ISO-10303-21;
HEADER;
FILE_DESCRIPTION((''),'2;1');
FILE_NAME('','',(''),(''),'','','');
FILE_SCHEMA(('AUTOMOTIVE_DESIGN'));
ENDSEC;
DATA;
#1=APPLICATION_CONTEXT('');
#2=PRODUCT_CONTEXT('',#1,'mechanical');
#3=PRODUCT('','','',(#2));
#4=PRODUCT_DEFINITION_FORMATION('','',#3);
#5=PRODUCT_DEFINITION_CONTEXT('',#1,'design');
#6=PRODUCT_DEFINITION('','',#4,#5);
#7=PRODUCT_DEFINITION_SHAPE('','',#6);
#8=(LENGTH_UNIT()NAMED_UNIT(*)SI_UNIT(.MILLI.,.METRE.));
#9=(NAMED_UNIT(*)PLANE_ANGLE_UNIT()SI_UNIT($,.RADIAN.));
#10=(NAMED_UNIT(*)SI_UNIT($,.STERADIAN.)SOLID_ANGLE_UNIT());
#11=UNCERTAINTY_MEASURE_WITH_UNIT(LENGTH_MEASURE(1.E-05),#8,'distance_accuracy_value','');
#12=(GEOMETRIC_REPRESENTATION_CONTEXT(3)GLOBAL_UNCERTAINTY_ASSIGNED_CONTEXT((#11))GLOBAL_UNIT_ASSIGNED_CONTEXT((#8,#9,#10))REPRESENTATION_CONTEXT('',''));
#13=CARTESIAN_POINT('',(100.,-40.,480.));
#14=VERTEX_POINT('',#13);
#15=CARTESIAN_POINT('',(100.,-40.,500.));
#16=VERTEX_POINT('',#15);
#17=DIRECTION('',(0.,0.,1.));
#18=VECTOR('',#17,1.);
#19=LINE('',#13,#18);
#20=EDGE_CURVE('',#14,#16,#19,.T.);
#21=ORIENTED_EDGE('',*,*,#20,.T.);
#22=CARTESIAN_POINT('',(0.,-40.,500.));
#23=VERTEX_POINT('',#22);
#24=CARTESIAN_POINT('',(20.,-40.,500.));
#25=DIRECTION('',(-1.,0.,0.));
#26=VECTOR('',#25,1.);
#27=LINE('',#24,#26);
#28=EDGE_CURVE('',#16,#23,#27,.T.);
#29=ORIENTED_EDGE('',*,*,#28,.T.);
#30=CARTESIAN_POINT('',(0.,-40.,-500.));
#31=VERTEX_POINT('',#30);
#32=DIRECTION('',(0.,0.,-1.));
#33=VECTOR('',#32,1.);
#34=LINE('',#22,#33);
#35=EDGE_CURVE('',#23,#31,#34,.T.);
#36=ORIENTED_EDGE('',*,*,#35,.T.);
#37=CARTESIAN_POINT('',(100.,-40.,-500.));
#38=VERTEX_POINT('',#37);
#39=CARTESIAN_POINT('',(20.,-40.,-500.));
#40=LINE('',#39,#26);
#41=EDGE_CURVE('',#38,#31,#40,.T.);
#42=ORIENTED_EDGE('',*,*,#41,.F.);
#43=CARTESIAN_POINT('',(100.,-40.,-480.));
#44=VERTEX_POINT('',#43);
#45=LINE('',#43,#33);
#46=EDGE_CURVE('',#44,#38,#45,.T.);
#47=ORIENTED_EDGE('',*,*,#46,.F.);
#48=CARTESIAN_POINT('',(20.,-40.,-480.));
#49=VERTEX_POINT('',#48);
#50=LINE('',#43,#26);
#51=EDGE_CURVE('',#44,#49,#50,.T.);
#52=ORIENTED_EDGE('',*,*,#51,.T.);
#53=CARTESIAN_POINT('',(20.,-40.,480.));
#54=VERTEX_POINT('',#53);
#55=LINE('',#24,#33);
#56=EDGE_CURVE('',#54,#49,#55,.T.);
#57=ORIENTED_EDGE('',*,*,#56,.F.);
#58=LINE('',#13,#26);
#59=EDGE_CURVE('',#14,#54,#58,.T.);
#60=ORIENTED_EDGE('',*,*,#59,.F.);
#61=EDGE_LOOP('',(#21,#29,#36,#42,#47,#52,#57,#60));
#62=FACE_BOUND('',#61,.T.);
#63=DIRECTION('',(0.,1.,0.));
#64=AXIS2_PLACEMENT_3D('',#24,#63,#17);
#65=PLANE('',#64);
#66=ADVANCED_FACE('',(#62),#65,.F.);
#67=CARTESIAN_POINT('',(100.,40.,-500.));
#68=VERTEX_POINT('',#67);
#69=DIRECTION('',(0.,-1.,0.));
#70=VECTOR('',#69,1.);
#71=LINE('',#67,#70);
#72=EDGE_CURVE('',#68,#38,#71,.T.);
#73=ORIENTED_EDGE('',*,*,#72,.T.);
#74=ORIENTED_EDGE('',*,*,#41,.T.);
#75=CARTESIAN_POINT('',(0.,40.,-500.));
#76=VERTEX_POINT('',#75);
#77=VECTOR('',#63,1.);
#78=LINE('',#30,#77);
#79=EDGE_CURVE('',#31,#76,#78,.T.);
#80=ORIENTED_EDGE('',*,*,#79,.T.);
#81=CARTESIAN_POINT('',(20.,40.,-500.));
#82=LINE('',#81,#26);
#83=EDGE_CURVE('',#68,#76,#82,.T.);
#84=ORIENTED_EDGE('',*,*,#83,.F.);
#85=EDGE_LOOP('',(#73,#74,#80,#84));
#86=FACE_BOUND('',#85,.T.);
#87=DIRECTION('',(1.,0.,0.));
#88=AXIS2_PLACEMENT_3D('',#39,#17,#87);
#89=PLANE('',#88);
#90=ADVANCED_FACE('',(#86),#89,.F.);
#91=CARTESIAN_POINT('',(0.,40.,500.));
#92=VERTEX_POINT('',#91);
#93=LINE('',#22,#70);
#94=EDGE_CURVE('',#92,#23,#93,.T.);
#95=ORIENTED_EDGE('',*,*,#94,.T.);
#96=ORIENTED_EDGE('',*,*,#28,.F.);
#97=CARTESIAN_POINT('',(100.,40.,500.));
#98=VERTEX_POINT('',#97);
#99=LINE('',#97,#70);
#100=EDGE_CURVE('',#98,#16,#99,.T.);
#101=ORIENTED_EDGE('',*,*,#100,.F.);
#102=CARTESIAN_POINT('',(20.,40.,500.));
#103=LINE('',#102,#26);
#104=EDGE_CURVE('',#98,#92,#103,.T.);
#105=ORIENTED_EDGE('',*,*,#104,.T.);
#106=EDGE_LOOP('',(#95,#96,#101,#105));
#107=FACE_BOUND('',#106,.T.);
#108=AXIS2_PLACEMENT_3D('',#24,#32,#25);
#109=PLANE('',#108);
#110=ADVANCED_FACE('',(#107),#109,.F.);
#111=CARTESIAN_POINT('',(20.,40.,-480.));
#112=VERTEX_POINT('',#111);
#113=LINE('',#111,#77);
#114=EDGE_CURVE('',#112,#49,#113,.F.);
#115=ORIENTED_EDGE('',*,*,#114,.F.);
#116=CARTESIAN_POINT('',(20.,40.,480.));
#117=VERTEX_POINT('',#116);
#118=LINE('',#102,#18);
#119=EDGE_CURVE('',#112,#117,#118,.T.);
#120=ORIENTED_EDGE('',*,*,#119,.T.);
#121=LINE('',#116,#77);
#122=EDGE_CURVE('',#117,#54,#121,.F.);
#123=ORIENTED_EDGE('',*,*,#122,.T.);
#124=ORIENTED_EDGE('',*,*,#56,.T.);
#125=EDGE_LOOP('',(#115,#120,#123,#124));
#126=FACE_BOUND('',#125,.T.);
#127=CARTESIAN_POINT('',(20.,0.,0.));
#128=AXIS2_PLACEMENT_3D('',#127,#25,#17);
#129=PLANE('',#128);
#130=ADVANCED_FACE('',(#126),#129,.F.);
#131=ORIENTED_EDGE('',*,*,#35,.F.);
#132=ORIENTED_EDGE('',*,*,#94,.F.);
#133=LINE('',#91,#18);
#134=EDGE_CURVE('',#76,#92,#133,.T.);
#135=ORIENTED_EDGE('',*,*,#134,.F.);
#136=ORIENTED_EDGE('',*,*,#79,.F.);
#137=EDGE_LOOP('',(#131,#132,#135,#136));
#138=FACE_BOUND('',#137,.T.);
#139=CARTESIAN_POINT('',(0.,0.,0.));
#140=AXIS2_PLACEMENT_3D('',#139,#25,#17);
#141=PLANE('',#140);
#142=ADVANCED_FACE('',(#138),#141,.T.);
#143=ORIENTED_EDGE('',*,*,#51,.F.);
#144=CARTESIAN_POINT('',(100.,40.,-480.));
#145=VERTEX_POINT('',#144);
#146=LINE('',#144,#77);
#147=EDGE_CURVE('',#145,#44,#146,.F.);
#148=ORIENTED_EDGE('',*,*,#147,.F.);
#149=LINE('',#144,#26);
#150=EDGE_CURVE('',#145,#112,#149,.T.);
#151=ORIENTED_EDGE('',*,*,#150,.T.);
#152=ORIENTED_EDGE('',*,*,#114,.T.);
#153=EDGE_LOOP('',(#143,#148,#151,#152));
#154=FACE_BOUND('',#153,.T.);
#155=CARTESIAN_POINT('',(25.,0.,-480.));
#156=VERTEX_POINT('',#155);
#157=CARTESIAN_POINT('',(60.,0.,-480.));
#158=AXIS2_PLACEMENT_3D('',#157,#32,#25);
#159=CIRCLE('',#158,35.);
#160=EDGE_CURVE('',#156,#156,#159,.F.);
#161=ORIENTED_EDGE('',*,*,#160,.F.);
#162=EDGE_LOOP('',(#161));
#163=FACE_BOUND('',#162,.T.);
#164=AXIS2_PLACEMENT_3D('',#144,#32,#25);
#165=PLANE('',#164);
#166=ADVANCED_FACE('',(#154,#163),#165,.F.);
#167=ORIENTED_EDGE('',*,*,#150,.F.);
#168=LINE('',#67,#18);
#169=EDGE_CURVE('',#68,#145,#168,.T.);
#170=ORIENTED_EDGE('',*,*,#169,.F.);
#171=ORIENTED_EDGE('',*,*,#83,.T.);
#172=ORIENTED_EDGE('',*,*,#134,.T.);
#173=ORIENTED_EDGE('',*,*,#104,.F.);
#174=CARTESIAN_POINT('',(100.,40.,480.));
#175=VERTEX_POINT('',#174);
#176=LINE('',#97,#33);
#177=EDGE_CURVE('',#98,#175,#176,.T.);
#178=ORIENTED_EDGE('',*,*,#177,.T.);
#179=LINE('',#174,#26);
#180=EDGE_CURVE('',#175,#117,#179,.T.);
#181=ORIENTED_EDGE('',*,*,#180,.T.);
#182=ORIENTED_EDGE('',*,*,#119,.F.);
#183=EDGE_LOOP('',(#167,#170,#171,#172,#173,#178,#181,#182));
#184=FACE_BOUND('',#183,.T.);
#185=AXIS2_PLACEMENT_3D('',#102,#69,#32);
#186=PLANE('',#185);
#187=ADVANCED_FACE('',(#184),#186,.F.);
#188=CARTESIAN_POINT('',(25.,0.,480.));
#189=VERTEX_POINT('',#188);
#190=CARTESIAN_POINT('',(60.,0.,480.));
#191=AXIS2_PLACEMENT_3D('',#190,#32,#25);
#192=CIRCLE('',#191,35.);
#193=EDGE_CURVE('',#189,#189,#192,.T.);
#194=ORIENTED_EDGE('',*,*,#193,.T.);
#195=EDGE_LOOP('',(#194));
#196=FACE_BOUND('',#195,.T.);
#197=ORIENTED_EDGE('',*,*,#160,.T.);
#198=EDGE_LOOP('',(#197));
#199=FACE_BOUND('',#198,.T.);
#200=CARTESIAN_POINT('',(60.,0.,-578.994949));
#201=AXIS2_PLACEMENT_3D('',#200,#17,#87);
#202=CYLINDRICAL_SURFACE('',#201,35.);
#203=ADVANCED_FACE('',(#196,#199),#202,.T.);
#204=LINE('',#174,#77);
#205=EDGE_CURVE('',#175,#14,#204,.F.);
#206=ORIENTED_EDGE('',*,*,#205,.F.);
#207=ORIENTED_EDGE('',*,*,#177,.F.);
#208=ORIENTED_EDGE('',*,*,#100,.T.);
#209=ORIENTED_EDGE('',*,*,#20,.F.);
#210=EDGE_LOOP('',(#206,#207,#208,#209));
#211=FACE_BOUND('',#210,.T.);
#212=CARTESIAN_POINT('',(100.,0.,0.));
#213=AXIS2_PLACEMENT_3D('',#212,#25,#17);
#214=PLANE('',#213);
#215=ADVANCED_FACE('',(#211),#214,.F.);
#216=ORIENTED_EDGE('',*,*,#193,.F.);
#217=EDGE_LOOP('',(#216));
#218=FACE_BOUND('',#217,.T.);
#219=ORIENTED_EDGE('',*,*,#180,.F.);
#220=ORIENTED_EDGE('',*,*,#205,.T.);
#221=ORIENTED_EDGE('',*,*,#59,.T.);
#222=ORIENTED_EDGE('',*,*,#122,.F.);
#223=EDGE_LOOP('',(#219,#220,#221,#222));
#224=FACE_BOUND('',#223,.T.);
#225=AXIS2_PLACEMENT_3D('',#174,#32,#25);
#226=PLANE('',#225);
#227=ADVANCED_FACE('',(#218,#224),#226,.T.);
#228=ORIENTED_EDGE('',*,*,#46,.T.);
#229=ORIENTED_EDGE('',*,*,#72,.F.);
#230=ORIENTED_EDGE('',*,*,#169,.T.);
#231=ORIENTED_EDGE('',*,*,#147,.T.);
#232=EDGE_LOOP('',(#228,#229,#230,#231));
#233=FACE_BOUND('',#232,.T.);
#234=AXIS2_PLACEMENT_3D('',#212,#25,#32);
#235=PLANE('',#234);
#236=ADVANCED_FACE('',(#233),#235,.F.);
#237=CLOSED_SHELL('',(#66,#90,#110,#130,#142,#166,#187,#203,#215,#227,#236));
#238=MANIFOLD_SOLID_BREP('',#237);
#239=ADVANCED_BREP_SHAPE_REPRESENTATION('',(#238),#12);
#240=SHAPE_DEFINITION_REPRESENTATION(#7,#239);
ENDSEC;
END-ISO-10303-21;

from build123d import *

# Parameters (mm, degrees)
SKETCH_1_W        = 1000
SKETCH_1_H        = 80
EXTRUDE_1_DEPTH   = 20
SKETCH_2_W        = 20
SKETCH_2_H        = 80
EXTRUDE_1_2_DEPTH = 80
SKETCH_3_R        = 35
EXTRUDE_2_DEPTH   = 980


with BuildPart() as part:
    # 草图1 → Extrude 1 (new body)
    with BuildSketch(Plane(origin=(0, 0, 0), x_dir=(0, 0, -1), z_dir=(1, 0, 0))):
        Rectangle(SKETCH_1_W, SKETCH_1_H)
    extrude(amount=EXTRUDE_1_DEPTH)

    # 草图2 → Extrude 1 2 (add)
    with BuildSketch(Plane(origin=(20, 0, 0), x_dir=(0, 0, -1), z_dir=(1, 0, 0))):
        with Locations((-490, 0)):
            Rectangle(SKETCH_2_W, SKETCH_2_H)
    extrude_1_2 = extrude(amount=EXTRUDE_1_2_DEPTH)

    # 镜向1: Extrude 1 2 across plane
    add(extrude_1_2.mirror(Plane.XY))

    # 草图3 → 凸台-拉伸2 (add)
    with BuildSketch(Plane.XY.offset(500)):
        with Locations((60, 0)):
            Circle(SKETCH_3_R)
    extrude(amount=-EXTRUDE_2_DEPTH)


solid = part.part
